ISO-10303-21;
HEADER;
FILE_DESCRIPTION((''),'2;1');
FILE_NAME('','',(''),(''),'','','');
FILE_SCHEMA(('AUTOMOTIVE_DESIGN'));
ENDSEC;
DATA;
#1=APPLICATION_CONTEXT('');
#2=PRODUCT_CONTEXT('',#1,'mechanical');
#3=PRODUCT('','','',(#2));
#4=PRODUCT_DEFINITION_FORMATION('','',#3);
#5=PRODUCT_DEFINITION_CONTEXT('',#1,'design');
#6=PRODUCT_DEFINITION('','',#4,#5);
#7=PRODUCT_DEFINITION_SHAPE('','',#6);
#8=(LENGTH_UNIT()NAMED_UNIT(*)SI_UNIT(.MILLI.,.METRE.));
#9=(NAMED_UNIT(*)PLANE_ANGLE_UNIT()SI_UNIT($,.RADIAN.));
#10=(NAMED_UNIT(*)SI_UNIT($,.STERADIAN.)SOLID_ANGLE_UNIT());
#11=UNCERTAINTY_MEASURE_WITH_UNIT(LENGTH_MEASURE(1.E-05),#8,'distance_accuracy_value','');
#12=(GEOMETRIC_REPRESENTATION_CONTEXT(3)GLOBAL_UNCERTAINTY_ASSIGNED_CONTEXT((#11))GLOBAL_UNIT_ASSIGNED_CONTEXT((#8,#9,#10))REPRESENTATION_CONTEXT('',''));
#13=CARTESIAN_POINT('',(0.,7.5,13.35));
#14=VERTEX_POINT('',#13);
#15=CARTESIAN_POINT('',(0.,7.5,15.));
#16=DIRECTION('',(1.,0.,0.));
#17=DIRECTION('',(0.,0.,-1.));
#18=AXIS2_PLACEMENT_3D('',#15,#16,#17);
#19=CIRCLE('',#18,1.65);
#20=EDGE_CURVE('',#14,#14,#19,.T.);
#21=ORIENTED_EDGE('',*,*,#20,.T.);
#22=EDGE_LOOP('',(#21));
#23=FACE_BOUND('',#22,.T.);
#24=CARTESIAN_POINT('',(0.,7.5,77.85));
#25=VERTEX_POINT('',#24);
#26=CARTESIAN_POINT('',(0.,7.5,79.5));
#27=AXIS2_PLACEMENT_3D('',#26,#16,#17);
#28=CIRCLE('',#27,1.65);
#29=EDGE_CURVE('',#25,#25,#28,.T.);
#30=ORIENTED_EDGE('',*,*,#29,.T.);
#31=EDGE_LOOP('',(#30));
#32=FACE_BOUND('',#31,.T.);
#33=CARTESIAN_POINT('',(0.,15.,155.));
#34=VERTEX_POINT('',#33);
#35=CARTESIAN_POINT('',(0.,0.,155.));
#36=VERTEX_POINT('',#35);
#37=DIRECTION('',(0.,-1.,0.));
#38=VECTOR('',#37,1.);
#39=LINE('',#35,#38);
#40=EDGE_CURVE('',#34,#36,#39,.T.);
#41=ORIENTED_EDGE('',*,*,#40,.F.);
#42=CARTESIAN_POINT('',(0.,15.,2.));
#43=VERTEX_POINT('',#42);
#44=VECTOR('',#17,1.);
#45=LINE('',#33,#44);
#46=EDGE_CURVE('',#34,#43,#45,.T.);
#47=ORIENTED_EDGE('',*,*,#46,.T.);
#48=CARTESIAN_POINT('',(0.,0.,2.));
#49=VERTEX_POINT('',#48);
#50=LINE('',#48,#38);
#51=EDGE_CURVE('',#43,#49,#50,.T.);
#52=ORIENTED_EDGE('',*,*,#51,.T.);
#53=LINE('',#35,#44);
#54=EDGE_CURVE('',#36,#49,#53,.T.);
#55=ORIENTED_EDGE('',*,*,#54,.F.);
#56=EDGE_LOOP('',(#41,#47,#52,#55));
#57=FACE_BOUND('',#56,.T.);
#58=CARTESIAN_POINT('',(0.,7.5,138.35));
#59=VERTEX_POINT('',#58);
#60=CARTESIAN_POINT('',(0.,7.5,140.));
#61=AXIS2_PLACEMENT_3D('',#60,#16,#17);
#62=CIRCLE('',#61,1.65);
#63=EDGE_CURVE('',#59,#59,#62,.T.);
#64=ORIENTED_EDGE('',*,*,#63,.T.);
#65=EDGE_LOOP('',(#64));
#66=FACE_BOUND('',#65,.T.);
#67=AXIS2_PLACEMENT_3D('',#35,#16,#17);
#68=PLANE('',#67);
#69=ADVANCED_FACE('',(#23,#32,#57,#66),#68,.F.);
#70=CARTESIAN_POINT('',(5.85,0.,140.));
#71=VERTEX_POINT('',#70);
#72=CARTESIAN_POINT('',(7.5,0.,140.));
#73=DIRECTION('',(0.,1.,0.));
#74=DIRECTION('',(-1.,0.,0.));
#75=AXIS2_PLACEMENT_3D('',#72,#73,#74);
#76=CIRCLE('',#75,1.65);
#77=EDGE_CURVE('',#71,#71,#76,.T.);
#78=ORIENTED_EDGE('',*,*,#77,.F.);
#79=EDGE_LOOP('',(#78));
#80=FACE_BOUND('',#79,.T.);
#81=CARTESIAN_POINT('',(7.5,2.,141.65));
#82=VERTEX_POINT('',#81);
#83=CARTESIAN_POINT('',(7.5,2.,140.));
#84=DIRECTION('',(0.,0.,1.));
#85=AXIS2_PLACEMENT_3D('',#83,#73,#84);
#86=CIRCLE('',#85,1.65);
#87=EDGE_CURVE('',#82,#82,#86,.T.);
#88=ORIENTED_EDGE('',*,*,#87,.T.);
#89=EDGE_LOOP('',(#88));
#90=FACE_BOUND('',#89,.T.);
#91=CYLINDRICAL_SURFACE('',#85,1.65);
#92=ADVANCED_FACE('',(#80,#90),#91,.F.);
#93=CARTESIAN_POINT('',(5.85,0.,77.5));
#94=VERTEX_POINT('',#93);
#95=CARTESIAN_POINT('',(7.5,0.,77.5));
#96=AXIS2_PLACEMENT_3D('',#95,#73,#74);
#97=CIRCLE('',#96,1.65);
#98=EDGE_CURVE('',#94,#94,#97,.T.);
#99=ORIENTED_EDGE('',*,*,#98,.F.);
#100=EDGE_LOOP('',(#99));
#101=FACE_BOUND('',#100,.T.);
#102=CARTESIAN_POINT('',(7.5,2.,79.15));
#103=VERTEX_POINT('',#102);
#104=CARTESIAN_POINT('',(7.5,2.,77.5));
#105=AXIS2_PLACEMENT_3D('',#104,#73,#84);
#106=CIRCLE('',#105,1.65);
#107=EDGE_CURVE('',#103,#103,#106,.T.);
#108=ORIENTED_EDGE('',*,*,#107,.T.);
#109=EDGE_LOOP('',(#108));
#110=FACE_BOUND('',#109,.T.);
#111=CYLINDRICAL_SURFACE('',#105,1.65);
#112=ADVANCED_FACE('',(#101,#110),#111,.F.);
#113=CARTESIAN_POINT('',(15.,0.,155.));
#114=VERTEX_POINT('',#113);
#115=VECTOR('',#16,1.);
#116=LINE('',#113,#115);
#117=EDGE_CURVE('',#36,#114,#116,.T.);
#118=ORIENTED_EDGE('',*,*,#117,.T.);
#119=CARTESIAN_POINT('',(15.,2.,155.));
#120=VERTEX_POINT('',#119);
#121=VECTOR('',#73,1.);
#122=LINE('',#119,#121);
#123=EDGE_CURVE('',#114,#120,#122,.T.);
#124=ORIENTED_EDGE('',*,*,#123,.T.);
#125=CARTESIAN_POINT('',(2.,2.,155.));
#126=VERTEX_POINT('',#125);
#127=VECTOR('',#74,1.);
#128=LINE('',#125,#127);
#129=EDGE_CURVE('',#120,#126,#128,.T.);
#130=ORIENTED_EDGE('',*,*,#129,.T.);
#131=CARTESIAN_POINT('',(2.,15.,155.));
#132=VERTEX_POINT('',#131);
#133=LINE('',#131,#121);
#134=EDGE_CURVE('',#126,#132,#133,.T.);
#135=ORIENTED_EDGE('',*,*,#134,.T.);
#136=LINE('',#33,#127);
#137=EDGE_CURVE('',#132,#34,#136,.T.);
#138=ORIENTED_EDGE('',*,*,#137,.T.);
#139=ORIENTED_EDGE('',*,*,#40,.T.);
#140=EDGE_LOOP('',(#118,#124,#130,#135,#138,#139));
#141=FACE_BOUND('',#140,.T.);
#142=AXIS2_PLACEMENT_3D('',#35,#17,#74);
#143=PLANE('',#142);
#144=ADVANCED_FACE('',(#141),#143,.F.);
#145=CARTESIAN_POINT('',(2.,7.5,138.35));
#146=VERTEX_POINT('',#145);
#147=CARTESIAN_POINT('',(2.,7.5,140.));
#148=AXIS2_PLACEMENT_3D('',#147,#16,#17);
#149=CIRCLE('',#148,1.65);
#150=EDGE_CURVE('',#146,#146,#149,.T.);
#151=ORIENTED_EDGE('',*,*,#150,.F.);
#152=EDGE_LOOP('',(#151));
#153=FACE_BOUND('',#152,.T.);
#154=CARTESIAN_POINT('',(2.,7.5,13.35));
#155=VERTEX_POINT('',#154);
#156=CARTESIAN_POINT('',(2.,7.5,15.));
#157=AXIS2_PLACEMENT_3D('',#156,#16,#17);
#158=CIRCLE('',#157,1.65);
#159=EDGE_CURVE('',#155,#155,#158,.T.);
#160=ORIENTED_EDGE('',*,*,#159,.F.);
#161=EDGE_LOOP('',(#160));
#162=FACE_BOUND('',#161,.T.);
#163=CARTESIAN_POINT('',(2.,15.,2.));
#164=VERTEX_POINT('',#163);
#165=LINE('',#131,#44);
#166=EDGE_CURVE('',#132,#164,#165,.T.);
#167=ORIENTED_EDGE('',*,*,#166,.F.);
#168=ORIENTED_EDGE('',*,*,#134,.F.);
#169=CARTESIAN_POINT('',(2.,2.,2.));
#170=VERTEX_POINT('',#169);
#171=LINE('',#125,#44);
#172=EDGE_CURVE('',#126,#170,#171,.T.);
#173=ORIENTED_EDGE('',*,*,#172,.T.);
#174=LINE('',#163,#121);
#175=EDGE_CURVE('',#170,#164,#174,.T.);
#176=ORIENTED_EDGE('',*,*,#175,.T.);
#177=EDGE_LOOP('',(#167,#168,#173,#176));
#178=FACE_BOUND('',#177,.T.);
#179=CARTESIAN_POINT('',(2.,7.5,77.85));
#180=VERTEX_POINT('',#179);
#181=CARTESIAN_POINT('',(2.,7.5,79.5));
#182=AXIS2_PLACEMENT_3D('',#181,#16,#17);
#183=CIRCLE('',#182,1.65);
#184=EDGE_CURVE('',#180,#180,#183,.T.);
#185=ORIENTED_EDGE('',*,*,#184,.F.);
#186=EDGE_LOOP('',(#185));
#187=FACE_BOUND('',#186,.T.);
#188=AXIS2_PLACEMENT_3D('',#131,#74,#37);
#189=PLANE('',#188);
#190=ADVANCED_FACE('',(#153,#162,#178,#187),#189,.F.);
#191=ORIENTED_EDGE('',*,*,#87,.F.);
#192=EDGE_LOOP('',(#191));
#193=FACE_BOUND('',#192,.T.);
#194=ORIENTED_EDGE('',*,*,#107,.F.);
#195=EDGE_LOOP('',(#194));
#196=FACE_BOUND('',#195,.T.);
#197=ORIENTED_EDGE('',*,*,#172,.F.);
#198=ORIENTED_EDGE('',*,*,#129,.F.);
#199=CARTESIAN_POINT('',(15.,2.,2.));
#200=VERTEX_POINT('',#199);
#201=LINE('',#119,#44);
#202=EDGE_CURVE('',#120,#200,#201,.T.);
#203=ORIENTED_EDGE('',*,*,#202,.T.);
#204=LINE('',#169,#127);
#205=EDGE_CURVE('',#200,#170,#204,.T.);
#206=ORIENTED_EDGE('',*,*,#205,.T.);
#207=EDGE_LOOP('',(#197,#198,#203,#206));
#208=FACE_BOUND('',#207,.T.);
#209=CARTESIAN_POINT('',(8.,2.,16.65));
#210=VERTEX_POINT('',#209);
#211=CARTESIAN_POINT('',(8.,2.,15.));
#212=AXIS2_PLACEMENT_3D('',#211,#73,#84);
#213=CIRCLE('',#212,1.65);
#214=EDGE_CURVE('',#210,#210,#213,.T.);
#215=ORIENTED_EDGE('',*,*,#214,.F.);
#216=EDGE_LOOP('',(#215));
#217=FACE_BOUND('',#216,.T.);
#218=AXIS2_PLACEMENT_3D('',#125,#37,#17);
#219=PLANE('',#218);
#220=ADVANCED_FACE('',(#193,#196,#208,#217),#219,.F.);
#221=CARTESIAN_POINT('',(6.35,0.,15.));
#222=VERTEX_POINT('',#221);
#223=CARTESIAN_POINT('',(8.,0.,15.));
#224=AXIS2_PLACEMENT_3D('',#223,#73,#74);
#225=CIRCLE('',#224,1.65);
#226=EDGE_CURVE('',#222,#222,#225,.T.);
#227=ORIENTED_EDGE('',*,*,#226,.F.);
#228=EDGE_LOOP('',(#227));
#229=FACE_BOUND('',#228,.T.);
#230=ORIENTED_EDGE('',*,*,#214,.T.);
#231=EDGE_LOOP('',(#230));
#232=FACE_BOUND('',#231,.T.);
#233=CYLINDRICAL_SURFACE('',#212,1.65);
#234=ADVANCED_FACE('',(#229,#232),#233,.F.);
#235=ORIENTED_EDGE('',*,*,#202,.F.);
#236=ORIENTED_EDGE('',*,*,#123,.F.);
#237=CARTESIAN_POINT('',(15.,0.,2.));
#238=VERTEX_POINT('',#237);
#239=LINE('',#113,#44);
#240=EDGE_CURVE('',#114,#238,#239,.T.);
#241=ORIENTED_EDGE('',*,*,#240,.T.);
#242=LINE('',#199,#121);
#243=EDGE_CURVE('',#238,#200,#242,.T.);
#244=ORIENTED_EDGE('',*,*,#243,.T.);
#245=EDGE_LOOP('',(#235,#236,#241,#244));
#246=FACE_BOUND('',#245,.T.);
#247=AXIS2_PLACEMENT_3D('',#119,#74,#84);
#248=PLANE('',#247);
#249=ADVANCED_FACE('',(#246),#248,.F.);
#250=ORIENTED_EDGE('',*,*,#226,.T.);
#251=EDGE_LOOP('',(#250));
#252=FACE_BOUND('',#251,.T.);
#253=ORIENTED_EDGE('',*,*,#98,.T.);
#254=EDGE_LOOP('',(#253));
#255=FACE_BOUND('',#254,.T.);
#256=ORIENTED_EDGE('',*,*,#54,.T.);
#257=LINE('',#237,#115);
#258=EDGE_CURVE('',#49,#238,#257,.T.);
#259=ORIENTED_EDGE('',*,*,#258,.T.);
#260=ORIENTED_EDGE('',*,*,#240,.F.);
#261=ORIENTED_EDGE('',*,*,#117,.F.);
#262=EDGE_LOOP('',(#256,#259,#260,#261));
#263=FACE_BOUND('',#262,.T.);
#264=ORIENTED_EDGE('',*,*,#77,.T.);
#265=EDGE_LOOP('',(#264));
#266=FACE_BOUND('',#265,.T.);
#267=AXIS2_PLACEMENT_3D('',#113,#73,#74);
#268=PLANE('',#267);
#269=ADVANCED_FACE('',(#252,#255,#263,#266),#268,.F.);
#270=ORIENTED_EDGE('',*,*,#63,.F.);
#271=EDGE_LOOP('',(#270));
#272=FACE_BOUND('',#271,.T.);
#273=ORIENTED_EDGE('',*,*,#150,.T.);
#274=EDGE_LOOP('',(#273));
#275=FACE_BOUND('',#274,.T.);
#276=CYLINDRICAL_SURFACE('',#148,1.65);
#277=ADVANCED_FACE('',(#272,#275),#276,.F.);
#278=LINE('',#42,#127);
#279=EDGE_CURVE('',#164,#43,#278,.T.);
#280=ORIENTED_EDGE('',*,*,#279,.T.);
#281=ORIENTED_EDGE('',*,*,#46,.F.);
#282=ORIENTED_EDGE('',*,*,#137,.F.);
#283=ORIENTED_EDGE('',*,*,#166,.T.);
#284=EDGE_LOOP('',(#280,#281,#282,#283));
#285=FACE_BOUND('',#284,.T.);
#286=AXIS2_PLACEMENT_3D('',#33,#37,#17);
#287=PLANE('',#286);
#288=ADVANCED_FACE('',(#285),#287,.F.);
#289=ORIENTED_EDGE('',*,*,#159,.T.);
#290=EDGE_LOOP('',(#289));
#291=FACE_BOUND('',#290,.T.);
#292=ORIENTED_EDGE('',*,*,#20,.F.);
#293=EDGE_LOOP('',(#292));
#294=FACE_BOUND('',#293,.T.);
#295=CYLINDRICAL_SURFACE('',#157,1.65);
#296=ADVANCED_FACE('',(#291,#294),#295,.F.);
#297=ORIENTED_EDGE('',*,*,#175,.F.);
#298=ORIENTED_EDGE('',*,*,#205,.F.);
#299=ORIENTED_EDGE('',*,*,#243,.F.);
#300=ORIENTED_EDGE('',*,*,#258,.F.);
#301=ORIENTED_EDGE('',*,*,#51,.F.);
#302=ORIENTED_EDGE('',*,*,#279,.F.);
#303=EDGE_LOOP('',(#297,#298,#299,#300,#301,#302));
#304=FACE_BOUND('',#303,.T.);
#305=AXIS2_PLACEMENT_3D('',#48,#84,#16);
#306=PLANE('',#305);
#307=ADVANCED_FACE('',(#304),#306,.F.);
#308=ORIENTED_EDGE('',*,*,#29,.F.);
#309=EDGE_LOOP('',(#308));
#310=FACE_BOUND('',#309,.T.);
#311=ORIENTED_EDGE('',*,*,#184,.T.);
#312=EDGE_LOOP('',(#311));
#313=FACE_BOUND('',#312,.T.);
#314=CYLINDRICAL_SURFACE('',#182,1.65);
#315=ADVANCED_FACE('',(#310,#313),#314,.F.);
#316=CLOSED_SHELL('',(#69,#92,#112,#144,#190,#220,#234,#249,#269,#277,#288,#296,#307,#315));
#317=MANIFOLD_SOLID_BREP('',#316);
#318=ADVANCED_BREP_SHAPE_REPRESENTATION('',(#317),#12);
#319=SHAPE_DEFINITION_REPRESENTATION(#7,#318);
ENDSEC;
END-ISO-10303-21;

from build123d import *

# Parameters (mm, degrees)
EXTRUDE_1_DEPTH          = 155
M4X0_7_1_D               = 3.3
M4X0_7_1_DEPTH           = 11.5
M4X0_7_1_TIP             = 0.991420021
M4X0_7_1_ON_FACE_2_D     = 3.3
M4X0_7_1_ON_FACE_2_DEPTH = 11.5
M4X0_7_1_ON_FACE_2_TIP   = 0.991420021
SKETCH_6_W               = 24.634949406
SKETCH_6_H               = 34.337648086
CUT_EXTRUDE_2_DEPTH      = 2


with BuildPart() as part:
    # ｽｹｯﾁ1 → ﾎﾞｽ - 押し出し1 (new body)
    with BuildSketch(Plane.XY):
        Polygon((0, 0), (0, 15), (2, 15), (2, 2), (15, 2), (15, 0), align=None)
    extrude(amount=EXTRUDE_1_DEPTH)

    # M4x0.7 ねじ穴1
    with Locations(Plane(origin=(2, 7.5, 140), x_dir=(0, 1, 0), z_dir=(1, 0, 0))):
        with Locations((0, 0), (0, -60.5), (0, -125)):
            Hole(M4X0_7_1_D / 2, depth=M4X0_7_1_DEPTH)
            with Locations((0, 0, -(M4X0_7_1_DEPTH + M4X0_7_1_TIP / 2))):  # 118° drill point
                Cone(0, M4X0_7_1_D / 2, M4X0_7_1_TIP, mode=Mode.SUBTRACT)

    # M4x0.7 ねじ穴1 on face 2
    with Locations(Plane(origin=(7.5, 2, 140), x_dir=(0, 0, 1), z_dir=(0, 1, 0))):
        with Locations((0, 0), (-62.5, 0), (-125, 0.5)):
            Hole(M4X0_7_1_ON_FACE_2_D / 2, depth=M4X0_7_1_ON_FACE_2_DEPTH)
            with Locations((0, 0, -(M4X0_7_1_ON_FACE_2_DEPTH + M4X0_7_1_ON_FACE_2_TIP / 2))):  # 118° drill point
                Cone(0, M4X0_7_1_ON_FACE_2_D / 2, M4X0_7_1_ON_FACE_2_TIP, mode=Mode.SUBTRACT)

    # ｽｹｯﾁ6 → ｶｯﾄ - 押し出し2 (cut)
    with BuildSketch(Plane(origin=(0, 0, 0), x_dir=(-1, 0, 0), z_dir=(0, 0, -1))):
        with Locations((-5.917994617, 11.841361704)):
            Rectangle(SKETCH_6_W, SKETCH_6_H)
    extrude(amount=-CUT_EXTRUDE_2_DEPTH, mode=Mode.SUBTRACT)


solid = part.part
